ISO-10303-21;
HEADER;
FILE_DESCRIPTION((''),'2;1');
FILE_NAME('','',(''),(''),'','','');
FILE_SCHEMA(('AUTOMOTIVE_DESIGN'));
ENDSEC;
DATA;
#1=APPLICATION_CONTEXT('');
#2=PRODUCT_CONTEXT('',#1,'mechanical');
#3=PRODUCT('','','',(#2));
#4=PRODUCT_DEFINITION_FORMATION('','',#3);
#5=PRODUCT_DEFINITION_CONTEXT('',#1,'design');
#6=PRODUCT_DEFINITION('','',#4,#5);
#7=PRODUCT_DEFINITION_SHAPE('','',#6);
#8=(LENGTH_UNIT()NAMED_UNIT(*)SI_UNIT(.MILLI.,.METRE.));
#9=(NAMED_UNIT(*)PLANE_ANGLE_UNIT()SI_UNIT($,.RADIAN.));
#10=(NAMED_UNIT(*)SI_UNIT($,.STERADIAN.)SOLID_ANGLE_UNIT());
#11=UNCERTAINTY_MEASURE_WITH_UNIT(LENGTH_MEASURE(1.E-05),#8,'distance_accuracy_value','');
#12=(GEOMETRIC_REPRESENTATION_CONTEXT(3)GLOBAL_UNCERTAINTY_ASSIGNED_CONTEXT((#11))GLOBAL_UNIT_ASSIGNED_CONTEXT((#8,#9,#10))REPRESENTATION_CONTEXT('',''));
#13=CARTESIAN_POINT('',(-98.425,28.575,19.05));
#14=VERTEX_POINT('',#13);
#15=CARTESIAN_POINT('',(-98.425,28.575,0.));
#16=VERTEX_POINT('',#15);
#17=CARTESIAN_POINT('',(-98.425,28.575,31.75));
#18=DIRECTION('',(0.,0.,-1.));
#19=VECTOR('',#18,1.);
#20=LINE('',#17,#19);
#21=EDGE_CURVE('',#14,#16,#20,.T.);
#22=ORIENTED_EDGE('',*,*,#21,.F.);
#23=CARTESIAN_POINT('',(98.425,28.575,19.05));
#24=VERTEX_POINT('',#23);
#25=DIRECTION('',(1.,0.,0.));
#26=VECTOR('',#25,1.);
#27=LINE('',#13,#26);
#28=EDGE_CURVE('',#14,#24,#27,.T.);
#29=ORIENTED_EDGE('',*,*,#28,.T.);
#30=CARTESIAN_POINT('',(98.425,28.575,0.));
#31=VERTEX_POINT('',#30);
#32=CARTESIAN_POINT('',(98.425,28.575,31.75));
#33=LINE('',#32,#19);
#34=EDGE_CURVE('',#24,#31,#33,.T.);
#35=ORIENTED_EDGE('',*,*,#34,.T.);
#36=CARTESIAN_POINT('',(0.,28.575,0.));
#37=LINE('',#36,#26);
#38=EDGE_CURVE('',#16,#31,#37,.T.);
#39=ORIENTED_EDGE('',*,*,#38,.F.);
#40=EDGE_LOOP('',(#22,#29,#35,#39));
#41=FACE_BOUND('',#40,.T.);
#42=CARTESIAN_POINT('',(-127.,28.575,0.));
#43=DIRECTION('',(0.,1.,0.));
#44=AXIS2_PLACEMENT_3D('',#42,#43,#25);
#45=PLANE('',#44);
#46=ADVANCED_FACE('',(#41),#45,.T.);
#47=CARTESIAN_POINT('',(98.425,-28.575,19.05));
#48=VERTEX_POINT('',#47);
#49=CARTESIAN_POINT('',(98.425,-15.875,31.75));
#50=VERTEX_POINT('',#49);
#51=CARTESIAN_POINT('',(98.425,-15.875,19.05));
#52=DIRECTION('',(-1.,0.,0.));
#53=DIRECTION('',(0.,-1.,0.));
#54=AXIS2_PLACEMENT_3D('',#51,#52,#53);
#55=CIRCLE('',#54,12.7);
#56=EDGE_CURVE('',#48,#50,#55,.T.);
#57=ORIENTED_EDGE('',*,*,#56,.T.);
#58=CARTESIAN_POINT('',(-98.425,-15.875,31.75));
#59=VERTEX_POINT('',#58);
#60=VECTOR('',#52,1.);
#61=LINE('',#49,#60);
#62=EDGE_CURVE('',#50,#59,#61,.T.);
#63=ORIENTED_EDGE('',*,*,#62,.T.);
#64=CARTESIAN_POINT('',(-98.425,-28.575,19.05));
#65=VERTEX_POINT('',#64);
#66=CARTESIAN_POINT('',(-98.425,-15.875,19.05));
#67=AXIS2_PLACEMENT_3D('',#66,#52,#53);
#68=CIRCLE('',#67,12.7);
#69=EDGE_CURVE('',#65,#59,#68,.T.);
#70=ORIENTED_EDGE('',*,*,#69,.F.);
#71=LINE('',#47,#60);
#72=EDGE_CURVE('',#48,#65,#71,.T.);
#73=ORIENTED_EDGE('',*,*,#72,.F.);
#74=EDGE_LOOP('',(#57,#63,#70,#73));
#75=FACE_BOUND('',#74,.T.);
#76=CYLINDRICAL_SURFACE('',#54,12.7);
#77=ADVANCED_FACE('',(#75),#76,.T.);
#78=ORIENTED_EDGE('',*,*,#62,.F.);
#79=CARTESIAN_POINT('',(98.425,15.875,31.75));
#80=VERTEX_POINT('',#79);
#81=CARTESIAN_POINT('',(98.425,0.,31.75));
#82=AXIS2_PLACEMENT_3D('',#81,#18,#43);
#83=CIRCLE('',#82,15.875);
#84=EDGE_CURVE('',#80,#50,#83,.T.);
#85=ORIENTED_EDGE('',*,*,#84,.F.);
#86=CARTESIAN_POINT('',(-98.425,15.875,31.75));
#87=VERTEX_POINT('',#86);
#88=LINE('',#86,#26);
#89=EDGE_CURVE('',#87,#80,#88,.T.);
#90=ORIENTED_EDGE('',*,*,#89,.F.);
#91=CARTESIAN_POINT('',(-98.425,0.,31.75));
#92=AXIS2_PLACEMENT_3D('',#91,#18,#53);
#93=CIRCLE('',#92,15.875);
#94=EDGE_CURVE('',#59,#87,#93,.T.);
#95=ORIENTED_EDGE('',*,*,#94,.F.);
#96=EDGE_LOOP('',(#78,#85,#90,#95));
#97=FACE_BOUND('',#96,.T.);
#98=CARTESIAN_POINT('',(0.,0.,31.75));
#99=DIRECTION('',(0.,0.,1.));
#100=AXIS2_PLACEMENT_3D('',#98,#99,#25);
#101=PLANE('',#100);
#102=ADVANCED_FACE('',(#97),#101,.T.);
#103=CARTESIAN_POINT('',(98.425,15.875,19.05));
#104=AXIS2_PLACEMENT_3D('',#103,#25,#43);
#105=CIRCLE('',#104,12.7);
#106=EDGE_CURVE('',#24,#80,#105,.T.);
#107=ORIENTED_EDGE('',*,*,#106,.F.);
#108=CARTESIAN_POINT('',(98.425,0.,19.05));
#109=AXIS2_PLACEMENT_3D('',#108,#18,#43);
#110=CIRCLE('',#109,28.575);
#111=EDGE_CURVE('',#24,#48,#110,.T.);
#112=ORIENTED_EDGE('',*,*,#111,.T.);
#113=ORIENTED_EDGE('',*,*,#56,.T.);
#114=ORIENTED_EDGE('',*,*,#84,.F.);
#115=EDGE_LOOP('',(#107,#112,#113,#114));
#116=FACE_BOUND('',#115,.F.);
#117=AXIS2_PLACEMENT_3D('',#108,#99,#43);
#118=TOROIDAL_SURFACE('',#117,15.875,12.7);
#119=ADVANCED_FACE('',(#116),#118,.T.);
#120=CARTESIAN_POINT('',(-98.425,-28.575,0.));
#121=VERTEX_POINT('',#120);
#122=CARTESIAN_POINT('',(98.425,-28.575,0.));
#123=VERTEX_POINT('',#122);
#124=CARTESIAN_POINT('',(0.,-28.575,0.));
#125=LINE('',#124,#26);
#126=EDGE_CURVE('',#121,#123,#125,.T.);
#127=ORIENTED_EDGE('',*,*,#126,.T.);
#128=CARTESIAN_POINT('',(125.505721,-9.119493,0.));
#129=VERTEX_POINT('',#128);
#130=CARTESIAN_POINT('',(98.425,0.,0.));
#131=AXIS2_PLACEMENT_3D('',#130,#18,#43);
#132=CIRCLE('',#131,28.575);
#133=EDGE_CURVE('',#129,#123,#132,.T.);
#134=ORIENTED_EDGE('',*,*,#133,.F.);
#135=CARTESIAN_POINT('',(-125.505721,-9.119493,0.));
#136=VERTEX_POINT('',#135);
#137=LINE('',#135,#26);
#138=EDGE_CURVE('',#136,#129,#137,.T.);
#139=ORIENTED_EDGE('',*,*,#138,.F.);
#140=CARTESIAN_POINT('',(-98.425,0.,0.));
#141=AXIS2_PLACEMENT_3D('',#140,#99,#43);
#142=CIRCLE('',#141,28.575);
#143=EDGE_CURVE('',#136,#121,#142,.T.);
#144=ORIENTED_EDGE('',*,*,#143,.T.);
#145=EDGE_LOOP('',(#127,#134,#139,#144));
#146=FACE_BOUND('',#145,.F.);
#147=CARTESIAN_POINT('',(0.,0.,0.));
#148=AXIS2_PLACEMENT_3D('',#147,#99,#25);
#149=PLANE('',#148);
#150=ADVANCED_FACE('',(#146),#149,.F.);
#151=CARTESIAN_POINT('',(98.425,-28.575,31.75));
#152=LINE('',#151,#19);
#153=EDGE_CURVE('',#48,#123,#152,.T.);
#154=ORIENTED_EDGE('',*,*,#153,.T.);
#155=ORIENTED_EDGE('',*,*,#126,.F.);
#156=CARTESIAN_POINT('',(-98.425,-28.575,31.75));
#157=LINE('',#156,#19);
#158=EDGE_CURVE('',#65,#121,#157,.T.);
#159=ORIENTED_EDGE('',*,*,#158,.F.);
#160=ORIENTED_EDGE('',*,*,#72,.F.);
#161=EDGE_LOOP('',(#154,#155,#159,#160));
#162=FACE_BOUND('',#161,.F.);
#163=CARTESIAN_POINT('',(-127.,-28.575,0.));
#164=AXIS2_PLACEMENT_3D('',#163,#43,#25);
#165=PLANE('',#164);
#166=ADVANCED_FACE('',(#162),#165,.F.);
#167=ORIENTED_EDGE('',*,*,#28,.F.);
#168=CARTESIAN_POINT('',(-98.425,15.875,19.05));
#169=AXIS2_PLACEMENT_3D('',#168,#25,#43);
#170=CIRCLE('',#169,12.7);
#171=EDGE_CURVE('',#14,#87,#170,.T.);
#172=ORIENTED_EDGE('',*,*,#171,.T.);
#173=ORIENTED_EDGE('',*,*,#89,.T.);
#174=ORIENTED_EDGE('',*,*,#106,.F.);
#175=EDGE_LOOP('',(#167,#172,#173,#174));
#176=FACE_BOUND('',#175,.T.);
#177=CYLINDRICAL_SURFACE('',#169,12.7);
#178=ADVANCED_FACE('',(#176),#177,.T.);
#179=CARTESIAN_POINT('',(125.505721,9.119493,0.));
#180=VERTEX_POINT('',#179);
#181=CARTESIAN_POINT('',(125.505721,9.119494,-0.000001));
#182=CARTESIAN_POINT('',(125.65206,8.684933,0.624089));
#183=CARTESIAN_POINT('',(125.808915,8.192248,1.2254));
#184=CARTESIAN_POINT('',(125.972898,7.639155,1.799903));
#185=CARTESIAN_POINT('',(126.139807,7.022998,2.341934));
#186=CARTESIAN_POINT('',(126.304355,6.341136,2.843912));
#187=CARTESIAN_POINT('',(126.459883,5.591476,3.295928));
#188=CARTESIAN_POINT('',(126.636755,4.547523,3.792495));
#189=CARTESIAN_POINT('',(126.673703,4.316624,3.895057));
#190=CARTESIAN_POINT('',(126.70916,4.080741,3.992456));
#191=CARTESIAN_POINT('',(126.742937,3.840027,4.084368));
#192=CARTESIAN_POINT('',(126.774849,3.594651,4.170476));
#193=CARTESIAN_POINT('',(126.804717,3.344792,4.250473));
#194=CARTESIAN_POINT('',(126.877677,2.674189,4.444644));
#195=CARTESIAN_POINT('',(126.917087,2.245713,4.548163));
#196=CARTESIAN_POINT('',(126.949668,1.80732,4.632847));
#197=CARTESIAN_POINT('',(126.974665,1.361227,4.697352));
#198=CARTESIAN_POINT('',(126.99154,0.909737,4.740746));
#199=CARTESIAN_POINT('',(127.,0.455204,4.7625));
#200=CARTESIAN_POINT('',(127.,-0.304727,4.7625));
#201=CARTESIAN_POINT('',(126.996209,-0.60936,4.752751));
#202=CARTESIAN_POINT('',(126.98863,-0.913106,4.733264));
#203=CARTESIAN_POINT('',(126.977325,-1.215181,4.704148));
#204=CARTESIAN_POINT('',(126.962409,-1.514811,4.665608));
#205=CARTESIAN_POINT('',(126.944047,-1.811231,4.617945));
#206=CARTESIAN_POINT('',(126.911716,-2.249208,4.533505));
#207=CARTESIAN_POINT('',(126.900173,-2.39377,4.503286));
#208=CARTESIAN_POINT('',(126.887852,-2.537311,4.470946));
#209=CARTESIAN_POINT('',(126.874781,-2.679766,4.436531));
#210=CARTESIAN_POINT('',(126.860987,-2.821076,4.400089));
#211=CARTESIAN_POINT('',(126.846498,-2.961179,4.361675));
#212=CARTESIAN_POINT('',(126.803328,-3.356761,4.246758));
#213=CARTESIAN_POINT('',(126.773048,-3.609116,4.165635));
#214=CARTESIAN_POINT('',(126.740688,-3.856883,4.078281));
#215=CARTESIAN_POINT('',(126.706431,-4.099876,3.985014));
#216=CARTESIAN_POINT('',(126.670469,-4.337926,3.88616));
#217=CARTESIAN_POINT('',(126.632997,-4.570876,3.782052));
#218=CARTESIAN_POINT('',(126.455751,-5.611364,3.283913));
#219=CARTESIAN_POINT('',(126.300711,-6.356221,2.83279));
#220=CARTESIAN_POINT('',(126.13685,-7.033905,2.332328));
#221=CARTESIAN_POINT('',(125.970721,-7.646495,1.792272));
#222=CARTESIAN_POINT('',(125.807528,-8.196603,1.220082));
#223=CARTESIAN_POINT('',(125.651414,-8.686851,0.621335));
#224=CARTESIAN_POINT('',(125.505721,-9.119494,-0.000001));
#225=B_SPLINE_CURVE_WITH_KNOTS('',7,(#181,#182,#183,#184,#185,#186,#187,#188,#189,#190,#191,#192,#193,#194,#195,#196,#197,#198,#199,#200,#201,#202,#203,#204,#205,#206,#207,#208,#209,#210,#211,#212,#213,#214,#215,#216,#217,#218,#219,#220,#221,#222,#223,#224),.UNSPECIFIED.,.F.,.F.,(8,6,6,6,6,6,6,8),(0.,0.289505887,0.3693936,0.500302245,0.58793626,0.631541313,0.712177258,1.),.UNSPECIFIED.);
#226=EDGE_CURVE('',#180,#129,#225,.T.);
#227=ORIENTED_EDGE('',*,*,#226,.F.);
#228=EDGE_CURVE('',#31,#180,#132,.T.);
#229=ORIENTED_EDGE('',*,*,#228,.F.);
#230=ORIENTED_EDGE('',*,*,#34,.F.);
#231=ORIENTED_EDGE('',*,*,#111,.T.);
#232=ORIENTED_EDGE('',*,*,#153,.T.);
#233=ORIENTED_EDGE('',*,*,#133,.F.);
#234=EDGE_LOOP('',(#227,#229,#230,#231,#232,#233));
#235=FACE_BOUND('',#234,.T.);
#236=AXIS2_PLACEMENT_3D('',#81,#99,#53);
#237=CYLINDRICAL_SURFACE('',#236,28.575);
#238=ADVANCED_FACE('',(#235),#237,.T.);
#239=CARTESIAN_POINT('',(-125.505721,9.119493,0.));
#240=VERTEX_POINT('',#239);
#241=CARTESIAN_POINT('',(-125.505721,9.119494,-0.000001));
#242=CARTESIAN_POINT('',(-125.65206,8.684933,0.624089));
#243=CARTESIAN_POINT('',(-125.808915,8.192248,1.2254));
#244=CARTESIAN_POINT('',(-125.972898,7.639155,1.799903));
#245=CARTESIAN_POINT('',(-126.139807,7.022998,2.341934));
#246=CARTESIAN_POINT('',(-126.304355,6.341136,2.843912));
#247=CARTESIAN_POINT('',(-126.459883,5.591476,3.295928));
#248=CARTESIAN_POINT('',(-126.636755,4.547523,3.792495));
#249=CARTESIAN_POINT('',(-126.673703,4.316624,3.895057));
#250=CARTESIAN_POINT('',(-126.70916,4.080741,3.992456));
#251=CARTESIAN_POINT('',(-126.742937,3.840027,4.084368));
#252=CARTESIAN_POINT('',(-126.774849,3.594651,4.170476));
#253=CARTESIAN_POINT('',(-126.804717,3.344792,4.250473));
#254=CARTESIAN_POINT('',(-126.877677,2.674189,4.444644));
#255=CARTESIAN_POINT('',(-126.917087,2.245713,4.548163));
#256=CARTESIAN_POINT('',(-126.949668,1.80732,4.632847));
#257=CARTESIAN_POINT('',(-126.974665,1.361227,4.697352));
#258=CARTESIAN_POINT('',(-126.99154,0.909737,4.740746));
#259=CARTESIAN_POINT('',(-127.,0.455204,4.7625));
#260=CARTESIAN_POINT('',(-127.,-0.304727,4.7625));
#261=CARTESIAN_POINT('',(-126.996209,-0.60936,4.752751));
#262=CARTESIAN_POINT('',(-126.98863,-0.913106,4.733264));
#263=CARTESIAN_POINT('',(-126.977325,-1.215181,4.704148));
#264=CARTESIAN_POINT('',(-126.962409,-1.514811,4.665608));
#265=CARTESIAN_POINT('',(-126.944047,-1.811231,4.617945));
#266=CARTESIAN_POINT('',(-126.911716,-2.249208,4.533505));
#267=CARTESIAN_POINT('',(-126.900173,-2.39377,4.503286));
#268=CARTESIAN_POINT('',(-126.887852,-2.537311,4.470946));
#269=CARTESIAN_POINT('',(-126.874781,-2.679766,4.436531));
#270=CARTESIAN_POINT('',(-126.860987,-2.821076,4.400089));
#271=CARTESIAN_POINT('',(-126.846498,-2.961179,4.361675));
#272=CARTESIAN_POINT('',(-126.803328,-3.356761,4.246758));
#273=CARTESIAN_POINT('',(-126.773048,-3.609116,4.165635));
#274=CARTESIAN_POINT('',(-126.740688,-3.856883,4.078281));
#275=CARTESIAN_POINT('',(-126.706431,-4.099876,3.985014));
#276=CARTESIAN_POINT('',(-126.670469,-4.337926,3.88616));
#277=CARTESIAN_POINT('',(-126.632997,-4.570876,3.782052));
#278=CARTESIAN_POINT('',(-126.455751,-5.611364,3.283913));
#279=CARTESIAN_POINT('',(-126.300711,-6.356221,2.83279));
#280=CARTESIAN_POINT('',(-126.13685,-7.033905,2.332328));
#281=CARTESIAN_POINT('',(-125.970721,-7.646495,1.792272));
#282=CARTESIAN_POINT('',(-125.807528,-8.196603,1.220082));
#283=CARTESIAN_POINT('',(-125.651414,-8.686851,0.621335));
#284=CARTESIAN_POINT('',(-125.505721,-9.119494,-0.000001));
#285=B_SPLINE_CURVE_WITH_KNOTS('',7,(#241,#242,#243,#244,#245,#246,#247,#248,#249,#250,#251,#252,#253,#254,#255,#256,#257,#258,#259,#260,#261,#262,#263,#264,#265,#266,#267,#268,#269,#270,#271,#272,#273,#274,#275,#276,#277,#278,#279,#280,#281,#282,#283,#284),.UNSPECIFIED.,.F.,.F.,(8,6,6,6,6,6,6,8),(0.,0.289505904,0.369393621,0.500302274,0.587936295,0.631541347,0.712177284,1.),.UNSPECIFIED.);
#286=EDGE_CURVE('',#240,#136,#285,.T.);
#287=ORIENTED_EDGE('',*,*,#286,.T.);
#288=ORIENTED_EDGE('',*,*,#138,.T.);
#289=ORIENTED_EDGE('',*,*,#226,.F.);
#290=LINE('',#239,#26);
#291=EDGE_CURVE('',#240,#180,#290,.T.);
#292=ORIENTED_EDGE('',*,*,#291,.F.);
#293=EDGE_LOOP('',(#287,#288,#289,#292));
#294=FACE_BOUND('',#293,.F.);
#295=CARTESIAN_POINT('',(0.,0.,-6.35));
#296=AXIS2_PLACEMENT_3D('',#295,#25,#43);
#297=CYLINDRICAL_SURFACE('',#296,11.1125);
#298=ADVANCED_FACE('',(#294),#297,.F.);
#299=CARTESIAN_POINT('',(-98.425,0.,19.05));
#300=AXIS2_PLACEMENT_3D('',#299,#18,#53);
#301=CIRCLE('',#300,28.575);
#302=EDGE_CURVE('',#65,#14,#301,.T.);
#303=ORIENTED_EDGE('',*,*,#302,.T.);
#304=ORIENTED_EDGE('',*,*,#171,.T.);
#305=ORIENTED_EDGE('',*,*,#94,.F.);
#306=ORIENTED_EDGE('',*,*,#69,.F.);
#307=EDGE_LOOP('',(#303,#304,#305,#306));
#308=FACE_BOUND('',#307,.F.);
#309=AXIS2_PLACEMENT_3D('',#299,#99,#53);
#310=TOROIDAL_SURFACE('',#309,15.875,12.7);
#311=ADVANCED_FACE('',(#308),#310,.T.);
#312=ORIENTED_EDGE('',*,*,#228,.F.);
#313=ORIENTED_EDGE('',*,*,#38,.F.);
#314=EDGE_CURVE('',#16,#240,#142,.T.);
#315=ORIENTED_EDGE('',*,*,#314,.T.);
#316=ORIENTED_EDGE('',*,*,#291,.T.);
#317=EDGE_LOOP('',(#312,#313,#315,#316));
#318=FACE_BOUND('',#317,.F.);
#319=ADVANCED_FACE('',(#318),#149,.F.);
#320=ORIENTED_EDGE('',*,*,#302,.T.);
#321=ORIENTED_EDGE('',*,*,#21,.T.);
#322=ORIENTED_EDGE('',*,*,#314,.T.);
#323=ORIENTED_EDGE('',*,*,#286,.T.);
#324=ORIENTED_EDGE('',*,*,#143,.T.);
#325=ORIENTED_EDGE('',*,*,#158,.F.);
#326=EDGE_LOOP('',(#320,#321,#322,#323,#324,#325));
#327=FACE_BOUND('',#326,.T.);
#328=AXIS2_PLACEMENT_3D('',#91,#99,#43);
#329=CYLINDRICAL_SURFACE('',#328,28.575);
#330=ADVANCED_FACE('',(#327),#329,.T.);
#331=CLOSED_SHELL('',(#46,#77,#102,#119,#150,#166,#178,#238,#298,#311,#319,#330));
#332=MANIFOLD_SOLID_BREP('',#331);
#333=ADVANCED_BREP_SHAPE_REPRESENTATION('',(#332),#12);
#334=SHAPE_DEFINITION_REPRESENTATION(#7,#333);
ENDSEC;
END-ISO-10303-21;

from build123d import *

# Parameters (mm, degrees)
SKETCH_W             = 254
SKETCH_H             = 57.15
PAD_DEPTH            = 31.75
POCKET_DEPTH         = 31.751
FILLET_R             = 12.7
SKETCH002_R          = 11.1125
POCKET001_DEPTH      = 127.001
POCKET001_DEPTH_BACK = -127.001


with BuildPart() as part:
    # Sketch → Pad (new body)
    with BuildSketch(Plane.XY):
        Rectangle(SKETCH_W, SKETCH_H)
    extrude(amount=PAD_DEPTH)

    # Sketch001 (on Face6 of Pad) → Pocket (cut, through all)
    with BuildSketch(Plane.XY.offset(31.75)):
        with BuildLine():
            ThreePointArc((-98.425, 28.575), (-127, 0), (-98.425, -28.575))
            Line((-98.425, -28.575), (-145.596313, -28.575))
            Line((-145.596313, 28.575), (-145.596313, -28.575))
            Line((-98.425, 28.575), (-145.596313, 28.575))
        make_face()
        with BuildLine():
            ThreePointArc((98.425, -28.575), (127, 0), (98.425, 28.575))
            Line((98.425, 28.575), (145.596313, 28.575))
            Line((145.596313, 28.575), (145.596313, -28.575))
            Line((98.425, -28.575), (145.596313, -28.575))
        make_face()
    extrude(amount=-POCKET_DEPTH, mode=Mode.SUBTRACT)

    # Fillet
    fillet_edges = [part.edges().sort_by_distance(p)[0] for p in [
        (-118.630576, -20.205576, 31.75),
        (-118.630576, 20.205576, 31.75),
        (0, 28.575, 31.75),
        (118.630576, 20.205576, 31.75),
        (118.630576, -20.205576, 31.75),
        (0, -28.575, 31.75),
    ]]
    fillet(fillet_edges, radius=FILLET_R)

    # Sketch002 → Pocket001 (cut, two sides)
    with BuildSketch(Plane.YZ) as pocket001_sk:
        with Locations((0, -6.35)):
            Circle(SKETCH002_R)
    extrude(amount=-POCKET001_DEPTH, mode=Mode.SUBTRACT)
    extrude(pocket001_sk.sketch, amount=-POCKET001_DEPTH_BACK, mode=Mode.SUBTRACT)


solid = part.part
